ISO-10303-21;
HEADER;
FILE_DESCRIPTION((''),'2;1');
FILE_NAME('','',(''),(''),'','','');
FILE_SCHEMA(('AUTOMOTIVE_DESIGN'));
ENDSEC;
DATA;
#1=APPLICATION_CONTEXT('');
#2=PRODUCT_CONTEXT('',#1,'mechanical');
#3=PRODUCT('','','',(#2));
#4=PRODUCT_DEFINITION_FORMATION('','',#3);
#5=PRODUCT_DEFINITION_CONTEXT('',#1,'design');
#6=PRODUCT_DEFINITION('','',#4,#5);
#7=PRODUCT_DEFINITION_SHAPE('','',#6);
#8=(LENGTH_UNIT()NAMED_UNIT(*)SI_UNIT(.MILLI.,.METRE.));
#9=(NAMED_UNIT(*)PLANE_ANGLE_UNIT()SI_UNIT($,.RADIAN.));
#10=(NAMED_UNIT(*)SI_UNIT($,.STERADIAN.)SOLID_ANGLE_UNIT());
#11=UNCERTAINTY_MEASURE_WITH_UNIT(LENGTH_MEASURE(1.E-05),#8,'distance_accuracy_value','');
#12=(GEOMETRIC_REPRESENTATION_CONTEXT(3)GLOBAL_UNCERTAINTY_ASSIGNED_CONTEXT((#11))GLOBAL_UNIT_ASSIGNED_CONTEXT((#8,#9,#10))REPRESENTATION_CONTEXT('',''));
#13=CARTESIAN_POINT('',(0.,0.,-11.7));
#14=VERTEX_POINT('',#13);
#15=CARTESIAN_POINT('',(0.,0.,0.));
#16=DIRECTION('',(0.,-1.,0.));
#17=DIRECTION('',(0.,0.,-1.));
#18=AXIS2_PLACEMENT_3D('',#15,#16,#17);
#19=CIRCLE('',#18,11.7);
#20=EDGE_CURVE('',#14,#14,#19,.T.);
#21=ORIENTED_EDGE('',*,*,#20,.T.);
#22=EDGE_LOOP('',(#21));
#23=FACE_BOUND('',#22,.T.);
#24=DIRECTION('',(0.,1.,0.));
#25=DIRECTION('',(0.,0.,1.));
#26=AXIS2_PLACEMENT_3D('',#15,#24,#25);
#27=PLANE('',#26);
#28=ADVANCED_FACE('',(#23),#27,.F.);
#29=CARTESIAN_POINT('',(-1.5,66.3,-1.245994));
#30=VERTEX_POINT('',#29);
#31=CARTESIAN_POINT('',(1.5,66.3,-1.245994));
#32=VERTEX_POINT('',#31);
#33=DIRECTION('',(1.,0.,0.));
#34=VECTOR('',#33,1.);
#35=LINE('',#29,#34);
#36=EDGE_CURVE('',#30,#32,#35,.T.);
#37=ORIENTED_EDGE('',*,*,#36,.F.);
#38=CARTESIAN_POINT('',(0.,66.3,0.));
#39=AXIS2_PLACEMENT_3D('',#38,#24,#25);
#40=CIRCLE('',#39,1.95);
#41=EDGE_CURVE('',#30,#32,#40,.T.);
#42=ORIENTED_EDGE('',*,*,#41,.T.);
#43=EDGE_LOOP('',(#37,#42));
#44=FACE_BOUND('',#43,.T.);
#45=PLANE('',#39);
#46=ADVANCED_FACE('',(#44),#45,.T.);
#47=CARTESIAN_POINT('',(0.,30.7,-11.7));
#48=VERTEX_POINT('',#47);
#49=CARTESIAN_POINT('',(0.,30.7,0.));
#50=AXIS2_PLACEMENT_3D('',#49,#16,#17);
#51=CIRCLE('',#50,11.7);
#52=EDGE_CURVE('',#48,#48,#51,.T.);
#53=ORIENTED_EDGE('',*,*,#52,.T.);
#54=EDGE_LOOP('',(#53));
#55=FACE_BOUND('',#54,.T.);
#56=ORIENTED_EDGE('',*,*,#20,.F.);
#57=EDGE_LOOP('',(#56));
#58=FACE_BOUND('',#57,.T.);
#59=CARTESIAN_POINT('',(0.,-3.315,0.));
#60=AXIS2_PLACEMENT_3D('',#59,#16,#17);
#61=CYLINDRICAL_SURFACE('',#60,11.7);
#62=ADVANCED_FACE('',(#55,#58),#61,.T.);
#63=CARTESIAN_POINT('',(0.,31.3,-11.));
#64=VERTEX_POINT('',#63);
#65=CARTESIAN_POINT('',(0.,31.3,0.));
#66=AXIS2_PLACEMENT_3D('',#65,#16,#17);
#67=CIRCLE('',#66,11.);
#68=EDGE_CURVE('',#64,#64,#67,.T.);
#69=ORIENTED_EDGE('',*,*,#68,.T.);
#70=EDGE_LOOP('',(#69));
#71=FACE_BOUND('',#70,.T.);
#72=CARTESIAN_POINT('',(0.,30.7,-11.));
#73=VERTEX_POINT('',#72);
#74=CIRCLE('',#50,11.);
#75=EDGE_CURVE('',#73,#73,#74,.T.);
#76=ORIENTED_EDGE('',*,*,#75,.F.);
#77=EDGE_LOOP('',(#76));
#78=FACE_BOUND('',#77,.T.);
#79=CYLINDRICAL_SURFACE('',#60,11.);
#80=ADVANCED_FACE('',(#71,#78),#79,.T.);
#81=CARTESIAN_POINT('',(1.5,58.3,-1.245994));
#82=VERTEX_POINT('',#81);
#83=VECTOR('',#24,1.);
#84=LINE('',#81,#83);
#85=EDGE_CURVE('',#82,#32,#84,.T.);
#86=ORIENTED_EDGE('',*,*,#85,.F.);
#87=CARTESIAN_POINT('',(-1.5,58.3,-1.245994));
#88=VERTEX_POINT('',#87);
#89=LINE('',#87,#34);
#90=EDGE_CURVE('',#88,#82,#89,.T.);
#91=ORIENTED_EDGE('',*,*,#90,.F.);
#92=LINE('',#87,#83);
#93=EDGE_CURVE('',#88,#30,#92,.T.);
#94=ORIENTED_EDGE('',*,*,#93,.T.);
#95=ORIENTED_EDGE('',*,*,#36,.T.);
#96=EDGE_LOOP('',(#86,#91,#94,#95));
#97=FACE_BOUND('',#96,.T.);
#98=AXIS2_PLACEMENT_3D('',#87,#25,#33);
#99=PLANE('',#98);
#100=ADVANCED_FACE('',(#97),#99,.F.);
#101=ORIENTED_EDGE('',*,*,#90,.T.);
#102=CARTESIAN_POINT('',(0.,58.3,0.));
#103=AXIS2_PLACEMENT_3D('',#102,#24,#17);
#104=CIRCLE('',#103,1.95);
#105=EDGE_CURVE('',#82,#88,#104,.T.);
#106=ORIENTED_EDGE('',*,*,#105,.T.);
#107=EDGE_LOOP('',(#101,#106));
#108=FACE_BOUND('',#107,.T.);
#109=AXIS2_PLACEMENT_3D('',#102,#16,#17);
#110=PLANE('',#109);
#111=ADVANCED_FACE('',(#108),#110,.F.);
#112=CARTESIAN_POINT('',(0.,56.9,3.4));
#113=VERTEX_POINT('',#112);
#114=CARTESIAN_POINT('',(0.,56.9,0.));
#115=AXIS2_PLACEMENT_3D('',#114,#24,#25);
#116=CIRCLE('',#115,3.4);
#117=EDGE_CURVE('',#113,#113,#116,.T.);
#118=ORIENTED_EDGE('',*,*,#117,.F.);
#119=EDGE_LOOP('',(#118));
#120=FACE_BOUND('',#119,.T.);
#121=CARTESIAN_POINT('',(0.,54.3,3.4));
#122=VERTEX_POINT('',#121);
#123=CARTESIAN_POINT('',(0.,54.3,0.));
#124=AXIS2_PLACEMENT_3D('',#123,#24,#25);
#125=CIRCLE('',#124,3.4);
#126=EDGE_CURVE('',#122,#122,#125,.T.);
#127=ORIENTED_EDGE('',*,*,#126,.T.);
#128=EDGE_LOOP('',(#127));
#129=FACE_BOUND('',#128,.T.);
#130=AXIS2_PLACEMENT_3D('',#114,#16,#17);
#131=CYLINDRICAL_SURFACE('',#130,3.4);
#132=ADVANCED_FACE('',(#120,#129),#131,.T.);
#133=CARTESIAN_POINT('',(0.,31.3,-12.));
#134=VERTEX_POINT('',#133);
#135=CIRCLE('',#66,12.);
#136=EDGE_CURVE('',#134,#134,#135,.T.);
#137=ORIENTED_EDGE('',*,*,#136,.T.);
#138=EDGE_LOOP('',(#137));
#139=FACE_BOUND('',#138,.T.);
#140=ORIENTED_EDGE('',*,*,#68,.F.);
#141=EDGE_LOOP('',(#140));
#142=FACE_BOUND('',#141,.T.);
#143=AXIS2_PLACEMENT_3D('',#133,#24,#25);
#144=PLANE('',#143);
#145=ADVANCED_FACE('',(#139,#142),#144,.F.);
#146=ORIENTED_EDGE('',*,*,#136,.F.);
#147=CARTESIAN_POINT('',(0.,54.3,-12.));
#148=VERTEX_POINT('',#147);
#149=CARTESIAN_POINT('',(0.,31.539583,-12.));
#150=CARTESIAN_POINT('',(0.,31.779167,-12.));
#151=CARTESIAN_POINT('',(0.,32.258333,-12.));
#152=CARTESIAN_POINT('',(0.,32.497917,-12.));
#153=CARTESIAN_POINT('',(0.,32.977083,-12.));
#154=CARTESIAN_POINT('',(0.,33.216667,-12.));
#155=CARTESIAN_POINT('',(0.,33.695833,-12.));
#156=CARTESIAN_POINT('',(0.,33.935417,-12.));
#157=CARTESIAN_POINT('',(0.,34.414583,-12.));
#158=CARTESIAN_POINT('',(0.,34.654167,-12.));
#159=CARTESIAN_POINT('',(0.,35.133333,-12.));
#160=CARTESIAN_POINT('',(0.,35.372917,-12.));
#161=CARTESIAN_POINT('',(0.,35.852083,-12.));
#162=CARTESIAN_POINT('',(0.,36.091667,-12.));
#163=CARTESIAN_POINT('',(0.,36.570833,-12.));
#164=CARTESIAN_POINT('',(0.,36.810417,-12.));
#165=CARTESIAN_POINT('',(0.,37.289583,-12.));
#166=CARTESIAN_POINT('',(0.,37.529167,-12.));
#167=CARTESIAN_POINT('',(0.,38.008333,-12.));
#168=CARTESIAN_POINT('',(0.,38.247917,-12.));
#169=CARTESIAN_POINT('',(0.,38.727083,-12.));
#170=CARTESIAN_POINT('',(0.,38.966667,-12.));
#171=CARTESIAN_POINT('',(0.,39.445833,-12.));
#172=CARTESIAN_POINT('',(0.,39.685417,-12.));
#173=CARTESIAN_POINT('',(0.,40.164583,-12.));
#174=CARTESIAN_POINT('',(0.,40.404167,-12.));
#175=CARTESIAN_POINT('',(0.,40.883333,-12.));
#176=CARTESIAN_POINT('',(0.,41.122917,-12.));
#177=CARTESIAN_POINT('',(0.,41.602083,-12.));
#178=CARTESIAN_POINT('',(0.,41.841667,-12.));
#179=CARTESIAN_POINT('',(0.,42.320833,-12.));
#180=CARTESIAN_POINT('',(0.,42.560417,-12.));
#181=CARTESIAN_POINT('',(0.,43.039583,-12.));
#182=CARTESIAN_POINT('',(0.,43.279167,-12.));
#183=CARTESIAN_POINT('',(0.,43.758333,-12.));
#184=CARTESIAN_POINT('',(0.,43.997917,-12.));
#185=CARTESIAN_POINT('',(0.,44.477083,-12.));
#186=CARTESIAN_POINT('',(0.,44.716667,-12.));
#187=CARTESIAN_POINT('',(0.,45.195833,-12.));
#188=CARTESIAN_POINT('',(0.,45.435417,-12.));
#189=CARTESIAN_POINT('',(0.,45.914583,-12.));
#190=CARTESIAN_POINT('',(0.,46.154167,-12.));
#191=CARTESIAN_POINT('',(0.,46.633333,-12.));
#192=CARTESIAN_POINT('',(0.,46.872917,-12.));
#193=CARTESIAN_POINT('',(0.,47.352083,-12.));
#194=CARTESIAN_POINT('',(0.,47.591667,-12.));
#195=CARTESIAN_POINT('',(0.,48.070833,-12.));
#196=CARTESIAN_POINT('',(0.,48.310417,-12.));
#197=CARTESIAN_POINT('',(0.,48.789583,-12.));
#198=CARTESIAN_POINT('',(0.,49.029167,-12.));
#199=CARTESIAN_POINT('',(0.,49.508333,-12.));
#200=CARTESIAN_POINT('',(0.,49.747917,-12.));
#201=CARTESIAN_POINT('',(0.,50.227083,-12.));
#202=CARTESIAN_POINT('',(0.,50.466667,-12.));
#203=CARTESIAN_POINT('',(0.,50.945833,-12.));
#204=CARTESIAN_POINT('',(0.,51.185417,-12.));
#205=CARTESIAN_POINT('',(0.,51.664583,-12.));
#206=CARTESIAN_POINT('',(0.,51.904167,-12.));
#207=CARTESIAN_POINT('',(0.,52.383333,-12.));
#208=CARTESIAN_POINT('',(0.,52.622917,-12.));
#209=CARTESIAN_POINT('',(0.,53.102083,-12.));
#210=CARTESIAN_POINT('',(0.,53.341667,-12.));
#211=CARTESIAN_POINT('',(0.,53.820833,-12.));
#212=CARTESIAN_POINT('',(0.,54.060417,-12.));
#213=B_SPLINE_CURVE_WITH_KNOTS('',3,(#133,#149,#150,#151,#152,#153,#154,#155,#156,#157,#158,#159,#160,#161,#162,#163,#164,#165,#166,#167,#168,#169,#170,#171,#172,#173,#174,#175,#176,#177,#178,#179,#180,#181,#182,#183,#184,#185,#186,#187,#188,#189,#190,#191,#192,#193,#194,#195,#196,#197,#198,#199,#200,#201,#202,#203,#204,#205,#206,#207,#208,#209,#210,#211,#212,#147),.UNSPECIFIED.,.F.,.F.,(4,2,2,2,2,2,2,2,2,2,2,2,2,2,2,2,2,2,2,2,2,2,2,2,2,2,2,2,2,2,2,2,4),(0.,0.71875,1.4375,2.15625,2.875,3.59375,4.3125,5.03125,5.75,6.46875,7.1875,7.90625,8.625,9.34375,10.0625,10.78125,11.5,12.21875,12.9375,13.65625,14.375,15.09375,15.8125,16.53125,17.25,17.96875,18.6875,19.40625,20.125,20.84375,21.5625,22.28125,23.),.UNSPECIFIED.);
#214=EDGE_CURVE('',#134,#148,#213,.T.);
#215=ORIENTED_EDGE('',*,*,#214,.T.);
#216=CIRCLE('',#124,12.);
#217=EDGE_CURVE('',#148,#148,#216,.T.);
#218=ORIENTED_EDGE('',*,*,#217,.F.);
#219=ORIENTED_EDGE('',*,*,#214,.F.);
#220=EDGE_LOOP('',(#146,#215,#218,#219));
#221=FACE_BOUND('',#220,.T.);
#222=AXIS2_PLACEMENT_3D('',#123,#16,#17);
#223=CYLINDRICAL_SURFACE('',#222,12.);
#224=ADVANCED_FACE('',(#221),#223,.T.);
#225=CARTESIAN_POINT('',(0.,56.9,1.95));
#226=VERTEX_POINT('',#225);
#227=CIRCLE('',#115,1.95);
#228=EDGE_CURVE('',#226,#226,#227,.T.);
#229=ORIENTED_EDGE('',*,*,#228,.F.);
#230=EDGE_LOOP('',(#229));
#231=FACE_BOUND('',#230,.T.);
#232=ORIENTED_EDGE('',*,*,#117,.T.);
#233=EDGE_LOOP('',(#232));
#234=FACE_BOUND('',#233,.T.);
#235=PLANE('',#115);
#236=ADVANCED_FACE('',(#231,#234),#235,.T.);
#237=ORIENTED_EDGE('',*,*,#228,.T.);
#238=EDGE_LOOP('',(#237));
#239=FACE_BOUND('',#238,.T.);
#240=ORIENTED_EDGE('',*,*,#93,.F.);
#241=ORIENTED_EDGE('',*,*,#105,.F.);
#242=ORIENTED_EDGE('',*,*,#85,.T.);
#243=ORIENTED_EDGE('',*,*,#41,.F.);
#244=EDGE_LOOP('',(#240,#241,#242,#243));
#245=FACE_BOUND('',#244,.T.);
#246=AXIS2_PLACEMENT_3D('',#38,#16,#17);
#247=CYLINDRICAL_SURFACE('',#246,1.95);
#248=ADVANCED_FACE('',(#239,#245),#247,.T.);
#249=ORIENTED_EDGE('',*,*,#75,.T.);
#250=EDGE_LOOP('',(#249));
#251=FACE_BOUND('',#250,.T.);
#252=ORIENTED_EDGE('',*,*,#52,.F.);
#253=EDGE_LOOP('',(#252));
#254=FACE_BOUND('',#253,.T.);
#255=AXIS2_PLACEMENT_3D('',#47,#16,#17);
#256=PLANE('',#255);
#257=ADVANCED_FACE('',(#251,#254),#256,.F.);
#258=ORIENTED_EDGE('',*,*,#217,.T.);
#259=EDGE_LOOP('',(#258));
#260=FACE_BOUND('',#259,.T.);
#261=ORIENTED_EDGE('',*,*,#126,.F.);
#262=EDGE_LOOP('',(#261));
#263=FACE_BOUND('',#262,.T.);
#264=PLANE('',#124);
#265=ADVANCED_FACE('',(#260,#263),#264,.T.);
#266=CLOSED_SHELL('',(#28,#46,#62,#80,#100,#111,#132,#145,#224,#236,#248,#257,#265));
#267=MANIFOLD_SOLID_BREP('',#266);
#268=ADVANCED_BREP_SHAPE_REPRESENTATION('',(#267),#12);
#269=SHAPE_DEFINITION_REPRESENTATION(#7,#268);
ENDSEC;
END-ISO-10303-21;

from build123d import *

# Parameters (mm, degrees)
SKETCH_1_R          = 12
EXTRUDE_1_DEPTH     = 54.3
SKETCH_2_R          = 3.4
SKETCH_2_R_2        = 1.95
EXTRUDE_2_DEPTH     = 2.6
SKETCH_3_R          = 1.95
EXTRUDE_3_DEPTH     = 12
CUT_EXTRUDE_START   = -8
CUT_EXTRUDE_1_DEPTH = 8


with BuildPart() as part:
    # 草图1 → 凸台-拉伸1 (new body)
    with BuildSketch(Plane(origin=(0, 0, 0), x_dir=(1, 0, 0), z_dir=(0, 1, 0))):
        with Locations(Location((0, 0, 0), (0, 0, 90))):
            Circle(SKETCH_1_R)
    extrude(amount=EXTRUDE_1_DEPTH)

    # 草图2 → 凸台-拉伸2 (add)
    with BuildSketch(Plane(origin=(0, 54.3, 0), x_dir=(1, 0, 0), z_dir=(0, 1, 0))):
        with Locations(Location((0, 0, 0), (0, 0, 270))):
            Circle(SKETCH_2_R)
        with Locations(Location((0, 0, 0), (0, 0, 270))):
            Circle(SKETCH_2_R_2, mode=Mode.SUBTRACT)
    extrude(amount=EXTRUDE_2_DEPTH)

    # 草图3 → 凸台-拉伸3 (add)
    with BuildSketch(Plane(origin=(0, 54.3, 0), x_dir=(1, 0, 0), z_dir=(0, 1, 0))):
        with Locations(Location((0, 0, 0), (0, 0, 270))):
            Circle(SKETCH_3_R)
    extrude(amount=EXTRUDE_3_DEPTH)

    # 草图4 → 切除-拉伸1 (cut)
    with BuildSketch(Plane(origin=(0, 66.3, 0), x_dir=(1, 0, 0), z_dir=(0, 1, 0)).offset(CUT_EXTRUDE_START)):
        with BuildLine():
            Line((-1.5, 1.245993579), (1.5, 1.245993579))
            ThreePointArc((1.5, 1.245993579), (0, 1.95), (-1.5, 1.245993579))
        make_face()
    extrude(amount=CUT_EXTRUDE_1_DEPTH, mode=Mode.SUBTRACT)

    # 草图5 → 切除-旋转1 (revolve, cut)
    with BuildSketch(Plane(origin=(0, 0, 0), x_dir=(0, 0, -1), z_dir=(1, 0, 0))):
        Polygon((12, 31.3), (11, 31.3), (11, 30.7), (11.7, 30.7), (11.7, 0), (12, 0), (12, 30.7), align=None)
    revolve(axis=Axis((0, -3.315, 0), (0, 1, 0)), mode=Mode.SUBTRACT)


solid = part.part
